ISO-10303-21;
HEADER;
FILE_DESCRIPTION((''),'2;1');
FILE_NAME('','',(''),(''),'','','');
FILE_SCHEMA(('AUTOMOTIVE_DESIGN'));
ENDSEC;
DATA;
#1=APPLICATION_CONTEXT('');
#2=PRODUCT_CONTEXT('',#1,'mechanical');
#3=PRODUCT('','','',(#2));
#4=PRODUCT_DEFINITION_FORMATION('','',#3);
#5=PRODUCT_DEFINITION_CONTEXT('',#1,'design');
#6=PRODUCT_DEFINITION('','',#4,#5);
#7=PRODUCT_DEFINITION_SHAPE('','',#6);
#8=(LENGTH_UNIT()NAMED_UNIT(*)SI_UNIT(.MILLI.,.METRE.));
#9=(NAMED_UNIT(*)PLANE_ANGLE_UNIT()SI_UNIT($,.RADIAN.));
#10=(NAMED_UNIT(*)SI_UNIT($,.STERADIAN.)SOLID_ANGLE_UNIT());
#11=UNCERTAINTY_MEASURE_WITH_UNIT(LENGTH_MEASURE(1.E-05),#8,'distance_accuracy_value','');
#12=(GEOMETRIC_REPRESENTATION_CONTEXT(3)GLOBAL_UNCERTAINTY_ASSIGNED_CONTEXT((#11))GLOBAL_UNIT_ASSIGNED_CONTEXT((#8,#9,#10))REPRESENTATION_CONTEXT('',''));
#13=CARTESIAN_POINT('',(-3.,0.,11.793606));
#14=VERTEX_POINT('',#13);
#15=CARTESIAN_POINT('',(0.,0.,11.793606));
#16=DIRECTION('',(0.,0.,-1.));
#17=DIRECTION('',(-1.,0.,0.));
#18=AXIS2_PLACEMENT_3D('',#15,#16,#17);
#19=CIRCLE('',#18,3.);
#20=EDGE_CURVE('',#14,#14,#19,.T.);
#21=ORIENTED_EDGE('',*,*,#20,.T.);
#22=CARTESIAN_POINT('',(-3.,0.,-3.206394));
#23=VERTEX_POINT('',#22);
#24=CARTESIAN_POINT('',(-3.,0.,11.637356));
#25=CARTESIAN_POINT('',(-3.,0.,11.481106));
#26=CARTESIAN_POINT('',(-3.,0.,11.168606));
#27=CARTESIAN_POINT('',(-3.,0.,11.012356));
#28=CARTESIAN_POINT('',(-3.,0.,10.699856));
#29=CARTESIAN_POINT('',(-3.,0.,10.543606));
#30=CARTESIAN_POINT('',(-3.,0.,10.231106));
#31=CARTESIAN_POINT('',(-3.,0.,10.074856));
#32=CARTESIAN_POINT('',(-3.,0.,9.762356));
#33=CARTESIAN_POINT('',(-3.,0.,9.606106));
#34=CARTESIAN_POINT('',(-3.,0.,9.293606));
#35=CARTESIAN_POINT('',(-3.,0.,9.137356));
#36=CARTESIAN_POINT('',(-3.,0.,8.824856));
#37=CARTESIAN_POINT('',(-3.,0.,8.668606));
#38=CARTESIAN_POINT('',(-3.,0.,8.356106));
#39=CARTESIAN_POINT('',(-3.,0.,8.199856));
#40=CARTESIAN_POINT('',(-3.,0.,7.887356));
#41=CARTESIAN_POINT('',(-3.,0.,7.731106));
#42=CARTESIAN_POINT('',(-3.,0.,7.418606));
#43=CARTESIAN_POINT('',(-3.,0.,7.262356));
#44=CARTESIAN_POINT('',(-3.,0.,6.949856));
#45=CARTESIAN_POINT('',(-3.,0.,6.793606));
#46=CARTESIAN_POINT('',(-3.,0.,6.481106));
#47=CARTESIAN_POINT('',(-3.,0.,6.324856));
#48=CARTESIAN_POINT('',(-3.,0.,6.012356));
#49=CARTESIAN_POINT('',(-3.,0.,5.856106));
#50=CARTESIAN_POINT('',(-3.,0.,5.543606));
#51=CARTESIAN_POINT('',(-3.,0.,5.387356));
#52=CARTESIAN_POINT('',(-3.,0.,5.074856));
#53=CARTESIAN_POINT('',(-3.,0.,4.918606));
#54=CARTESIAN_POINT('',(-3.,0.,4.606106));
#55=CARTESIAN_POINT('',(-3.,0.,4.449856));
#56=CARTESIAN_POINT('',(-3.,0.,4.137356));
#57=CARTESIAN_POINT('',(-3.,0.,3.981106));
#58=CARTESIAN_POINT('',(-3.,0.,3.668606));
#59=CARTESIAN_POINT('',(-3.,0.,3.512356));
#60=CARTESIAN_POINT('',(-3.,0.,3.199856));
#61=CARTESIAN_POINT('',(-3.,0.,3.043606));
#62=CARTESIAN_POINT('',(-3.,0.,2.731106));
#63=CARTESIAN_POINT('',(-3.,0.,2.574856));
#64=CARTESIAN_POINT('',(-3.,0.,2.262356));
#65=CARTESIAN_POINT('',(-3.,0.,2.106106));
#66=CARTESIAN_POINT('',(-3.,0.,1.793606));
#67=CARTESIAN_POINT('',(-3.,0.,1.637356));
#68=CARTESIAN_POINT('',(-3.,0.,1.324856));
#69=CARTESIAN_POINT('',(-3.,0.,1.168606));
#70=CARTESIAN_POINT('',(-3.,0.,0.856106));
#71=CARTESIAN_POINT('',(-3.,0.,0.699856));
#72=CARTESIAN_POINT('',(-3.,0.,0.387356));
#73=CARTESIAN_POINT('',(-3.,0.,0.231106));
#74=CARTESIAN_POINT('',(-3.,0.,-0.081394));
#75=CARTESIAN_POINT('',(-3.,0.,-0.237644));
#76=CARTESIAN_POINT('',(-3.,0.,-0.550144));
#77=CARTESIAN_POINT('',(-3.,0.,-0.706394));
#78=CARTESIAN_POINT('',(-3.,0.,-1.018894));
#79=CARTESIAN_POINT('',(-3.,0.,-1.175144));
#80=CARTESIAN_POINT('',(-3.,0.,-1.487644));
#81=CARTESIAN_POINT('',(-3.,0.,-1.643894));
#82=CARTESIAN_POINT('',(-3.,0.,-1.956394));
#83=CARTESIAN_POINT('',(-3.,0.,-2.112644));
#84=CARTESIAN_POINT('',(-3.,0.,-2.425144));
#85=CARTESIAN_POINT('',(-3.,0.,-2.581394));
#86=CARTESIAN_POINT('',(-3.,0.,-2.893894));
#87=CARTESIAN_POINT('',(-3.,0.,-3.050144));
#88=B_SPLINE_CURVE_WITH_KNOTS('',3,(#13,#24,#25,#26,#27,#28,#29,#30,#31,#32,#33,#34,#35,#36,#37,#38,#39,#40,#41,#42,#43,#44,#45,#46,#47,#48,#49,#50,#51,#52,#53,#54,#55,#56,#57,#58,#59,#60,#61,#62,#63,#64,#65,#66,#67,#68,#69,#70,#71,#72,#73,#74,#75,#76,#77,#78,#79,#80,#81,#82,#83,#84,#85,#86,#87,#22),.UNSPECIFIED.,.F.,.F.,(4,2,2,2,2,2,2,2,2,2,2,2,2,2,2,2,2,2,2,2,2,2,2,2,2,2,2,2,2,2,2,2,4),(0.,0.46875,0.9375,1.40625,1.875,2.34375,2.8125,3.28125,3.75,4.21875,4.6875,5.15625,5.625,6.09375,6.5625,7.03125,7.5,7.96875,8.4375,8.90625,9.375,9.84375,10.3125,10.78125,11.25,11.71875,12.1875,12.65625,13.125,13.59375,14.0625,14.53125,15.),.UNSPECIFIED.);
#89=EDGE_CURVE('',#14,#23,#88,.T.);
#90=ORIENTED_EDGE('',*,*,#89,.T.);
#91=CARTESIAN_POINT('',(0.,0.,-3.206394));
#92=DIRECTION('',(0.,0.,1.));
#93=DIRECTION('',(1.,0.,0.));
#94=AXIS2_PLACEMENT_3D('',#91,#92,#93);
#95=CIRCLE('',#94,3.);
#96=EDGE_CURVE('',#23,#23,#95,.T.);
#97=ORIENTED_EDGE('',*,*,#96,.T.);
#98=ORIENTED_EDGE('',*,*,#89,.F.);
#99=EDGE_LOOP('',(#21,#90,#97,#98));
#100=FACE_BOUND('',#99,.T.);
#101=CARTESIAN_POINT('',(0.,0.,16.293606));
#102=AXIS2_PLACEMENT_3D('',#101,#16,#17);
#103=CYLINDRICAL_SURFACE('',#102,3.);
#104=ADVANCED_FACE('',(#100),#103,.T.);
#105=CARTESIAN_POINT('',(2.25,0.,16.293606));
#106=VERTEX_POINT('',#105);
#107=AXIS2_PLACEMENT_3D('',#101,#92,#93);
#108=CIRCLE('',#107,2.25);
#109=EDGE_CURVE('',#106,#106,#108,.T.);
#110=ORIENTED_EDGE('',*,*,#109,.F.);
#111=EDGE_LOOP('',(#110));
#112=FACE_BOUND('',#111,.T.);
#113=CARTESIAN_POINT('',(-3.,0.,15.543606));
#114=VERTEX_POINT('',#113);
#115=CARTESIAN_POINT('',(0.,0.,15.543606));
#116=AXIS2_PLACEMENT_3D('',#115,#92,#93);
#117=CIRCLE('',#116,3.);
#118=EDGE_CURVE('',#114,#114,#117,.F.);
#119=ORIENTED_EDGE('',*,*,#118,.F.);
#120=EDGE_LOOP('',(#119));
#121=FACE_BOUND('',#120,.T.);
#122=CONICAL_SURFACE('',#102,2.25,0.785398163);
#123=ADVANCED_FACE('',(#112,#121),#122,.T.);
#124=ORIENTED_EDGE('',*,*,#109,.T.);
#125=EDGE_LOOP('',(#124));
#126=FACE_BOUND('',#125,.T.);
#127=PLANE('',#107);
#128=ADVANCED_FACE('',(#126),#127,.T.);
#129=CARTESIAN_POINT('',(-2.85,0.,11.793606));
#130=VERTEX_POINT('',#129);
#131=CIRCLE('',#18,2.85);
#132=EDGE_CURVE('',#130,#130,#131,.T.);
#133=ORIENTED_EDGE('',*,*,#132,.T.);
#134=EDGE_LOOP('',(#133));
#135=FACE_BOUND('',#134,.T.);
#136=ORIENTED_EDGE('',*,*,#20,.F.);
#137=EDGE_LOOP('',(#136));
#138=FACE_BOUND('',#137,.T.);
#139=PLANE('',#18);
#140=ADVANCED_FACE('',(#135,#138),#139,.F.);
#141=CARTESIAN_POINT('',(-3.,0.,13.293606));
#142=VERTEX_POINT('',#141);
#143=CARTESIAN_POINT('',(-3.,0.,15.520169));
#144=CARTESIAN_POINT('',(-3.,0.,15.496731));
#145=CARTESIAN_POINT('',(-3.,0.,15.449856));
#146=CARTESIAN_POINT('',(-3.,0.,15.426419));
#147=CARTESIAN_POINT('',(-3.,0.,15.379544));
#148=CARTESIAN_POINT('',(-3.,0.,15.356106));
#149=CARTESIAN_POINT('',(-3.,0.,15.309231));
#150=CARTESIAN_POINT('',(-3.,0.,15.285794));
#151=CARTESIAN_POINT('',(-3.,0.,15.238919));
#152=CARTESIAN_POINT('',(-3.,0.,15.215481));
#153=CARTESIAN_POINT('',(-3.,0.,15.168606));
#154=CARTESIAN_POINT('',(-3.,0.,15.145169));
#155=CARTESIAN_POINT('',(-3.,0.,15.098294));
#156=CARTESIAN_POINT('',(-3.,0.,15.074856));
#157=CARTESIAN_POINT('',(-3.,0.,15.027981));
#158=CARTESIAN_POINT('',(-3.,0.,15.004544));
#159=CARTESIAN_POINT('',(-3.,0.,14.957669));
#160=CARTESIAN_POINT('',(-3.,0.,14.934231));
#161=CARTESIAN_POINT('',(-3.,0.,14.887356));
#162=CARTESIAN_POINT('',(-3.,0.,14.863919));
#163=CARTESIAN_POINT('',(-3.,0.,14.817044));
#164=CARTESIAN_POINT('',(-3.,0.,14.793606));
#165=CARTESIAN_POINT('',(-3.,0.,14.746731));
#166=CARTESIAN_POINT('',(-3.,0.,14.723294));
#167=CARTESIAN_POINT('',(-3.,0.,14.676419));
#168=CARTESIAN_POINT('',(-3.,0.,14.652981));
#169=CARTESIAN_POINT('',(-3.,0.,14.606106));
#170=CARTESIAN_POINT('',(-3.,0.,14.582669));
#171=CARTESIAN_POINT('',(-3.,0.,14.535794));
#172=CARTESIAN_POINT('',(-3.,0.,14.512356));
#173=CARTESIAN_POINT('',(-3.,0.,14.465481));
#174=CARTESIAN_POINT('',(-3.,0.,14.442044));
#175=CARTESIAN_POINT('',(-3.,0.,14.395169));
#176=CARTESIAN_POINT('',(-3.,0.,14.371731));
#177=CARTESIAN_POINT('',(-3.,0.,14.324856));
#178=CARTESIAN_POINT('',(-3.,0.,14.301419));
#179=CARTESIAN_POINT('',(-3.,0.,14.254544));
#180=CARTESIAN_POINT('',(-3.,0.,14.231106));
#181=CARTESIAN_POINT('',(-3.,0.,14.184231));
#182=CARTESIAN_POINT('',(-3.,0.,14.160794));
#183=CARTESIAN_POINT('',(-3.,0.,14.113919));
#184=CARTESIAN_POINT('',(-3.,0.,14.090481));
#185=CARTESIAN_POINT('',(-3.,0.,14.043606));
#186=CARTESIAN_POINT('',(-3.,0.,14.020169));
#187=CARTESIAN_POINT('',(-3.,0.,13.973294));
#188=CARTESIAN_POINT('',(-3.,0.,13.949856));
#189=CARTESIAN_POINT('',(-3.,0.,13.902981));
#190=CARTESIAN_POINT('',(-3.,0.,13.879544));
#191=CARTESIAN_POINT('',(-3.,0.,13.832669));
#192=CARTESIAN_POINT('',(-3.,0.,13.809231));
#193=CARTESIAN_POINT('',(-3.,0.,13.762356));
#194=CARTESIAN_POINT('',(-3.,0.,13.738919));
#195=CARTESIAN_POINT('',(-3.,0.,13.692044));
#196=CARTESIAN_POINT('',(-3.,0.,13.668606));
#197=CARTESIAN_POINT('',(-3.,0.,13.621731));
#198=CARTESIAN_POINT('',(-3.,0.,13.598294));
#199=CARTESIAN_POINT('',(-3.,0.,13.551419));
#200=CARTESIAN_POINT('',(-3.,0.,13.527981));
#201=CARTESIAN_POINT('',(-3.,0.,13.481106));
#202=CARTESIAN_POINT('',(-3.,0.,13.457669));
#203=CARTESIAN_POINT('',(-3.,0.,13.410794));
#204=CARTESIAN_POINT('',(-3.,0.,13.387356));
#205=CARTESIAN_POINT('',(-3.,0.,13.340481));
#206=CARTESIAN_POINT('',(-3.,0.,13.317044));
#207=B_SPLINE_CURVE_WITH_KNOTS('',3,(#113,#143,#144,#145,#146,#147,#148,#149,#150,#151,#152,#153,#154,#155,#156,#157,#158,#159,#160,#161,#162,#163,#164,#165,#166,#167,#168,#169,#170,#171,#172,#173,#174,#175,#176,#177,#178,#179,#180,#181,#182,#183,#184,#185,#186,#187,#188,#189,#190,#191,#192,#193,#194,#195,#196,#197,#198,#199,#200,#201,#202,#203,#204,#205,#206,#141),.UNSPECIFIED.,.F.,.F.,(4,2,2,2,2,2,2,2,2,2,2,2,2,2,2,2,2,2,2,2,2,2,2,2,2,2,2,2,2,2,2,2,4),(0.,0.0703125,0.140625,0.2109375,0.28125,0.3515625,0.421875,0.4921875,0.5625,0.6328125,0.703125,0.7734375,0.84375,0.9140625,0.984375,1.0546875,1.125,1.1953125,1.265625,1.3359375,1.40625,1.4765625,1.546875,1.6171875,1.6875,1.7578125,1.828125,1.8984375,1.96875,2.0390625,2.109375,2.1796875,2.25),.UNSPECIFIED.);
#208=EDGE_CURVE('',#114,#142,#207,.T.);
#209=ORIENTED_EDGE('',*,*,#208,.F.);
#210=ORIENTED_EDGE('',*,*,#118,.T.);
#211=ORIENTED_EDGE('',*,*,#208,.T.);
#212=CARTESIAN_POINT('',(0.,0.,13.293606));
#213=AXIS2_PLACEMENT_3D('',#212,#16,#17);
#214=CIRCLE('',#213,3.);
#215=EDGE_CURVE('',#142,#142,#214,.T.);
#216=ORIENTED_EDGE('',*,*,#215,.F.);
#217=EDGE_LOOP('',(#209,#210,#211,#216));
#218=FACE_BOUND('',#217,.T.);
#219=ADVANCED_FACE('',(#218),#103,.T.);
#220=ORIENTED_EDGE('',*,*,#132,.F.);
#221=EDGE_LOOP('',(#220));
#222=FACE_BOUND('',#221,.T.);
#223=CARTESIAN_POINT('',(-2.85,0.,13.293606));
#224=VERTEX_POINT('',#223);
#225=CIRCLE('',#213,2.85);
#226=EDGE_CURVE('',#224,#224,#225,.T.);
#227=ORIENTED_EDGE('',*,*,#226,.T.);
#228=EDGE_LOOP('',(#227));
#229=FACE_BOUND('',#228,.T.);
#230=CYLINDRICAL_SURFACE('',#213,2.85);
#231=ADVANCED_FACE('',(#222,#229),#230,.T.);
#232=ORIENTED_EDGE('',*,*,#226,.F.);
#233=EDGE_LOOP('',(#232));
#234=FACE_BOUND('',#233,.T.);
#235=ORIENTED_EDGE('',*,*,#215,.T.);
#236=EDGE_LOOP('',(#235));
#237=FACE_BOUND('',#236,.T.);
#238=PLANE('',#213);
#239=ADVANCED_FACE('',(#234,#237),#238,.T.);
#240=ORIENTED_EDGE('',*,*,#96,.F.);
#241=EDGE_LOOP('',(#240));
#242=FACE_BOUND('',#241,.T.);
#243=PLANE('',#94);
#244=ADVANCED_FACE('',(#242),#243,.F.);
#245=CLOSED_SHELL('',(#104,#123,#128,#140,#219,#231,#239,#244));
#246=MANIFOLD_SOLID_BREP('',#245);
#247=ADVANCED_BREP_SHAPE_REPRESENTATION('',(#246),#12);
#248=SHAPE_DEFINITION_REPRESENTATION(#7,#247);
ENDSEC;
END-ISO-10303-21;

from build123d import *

# Parameters (mm, degrees)
SKETCH1_R           = 2
BOSS_EXTRUDE1_DEPTH = 13
CUT_EXTRUDE1_START  = -10
SKETCH2_OUTSIDE_W   = 8.836
SKETCH2_OUTSIDE_H   = 8.836
SKETCH2_OUTSIDE_R   = 1.9
CUT_EXTRUDE1_DEPTH  = 1
CHAMFER1_SIZE       = 0.5
SCALE1_SCALE        = 1.5


with BuildPart() as part:
    # Sketch1 → Boss-Extrude1 (new body)
    with BuildSketch(Plane.XY):
        with Locations(Location((0, 0, 0), (0, 0, 180))):
            Circle(SKETCH1_R)
    extrude(amount=BOSS_EXTRUDE1_DEPTH)

    # Sketch2 outside → Cut-Extrude1 (cut)
    with BuildSketch(Plane(origin=(0, 0, 0), x_dir=(-1, 0, 0), z_dir=(0, 0, -1)).offset(CUT_EXTRUDE1_START)):
        Rectangle(SKETCH2_OUTSIDE_W, SKETCH2_OUTSIDE_H)
        Circle(SKETCH2_OUTSIDE_R, mode=Mode.SUBTRACT)
    extrude(amount=-CUT_EXTRUDE1_DEPTH, mode=Mode.SUBTRACT)

    # Chamfer1
    chamfer1_edges = [part.edges().sort_by_distance(p)[0] for p in [
        (2, 0, 13),
    ]]
    chamfer(chamfer1_edges, length=CHAMFER1_SIZE)


with BuildPart() as part_1:
    # Scale1: scaled about (0, 0, 6.412787951)
    add(part.part.scale(SCALE1_SCALE).moved(Location((0, 0, -3.206393976))))


solid = part_1.part
